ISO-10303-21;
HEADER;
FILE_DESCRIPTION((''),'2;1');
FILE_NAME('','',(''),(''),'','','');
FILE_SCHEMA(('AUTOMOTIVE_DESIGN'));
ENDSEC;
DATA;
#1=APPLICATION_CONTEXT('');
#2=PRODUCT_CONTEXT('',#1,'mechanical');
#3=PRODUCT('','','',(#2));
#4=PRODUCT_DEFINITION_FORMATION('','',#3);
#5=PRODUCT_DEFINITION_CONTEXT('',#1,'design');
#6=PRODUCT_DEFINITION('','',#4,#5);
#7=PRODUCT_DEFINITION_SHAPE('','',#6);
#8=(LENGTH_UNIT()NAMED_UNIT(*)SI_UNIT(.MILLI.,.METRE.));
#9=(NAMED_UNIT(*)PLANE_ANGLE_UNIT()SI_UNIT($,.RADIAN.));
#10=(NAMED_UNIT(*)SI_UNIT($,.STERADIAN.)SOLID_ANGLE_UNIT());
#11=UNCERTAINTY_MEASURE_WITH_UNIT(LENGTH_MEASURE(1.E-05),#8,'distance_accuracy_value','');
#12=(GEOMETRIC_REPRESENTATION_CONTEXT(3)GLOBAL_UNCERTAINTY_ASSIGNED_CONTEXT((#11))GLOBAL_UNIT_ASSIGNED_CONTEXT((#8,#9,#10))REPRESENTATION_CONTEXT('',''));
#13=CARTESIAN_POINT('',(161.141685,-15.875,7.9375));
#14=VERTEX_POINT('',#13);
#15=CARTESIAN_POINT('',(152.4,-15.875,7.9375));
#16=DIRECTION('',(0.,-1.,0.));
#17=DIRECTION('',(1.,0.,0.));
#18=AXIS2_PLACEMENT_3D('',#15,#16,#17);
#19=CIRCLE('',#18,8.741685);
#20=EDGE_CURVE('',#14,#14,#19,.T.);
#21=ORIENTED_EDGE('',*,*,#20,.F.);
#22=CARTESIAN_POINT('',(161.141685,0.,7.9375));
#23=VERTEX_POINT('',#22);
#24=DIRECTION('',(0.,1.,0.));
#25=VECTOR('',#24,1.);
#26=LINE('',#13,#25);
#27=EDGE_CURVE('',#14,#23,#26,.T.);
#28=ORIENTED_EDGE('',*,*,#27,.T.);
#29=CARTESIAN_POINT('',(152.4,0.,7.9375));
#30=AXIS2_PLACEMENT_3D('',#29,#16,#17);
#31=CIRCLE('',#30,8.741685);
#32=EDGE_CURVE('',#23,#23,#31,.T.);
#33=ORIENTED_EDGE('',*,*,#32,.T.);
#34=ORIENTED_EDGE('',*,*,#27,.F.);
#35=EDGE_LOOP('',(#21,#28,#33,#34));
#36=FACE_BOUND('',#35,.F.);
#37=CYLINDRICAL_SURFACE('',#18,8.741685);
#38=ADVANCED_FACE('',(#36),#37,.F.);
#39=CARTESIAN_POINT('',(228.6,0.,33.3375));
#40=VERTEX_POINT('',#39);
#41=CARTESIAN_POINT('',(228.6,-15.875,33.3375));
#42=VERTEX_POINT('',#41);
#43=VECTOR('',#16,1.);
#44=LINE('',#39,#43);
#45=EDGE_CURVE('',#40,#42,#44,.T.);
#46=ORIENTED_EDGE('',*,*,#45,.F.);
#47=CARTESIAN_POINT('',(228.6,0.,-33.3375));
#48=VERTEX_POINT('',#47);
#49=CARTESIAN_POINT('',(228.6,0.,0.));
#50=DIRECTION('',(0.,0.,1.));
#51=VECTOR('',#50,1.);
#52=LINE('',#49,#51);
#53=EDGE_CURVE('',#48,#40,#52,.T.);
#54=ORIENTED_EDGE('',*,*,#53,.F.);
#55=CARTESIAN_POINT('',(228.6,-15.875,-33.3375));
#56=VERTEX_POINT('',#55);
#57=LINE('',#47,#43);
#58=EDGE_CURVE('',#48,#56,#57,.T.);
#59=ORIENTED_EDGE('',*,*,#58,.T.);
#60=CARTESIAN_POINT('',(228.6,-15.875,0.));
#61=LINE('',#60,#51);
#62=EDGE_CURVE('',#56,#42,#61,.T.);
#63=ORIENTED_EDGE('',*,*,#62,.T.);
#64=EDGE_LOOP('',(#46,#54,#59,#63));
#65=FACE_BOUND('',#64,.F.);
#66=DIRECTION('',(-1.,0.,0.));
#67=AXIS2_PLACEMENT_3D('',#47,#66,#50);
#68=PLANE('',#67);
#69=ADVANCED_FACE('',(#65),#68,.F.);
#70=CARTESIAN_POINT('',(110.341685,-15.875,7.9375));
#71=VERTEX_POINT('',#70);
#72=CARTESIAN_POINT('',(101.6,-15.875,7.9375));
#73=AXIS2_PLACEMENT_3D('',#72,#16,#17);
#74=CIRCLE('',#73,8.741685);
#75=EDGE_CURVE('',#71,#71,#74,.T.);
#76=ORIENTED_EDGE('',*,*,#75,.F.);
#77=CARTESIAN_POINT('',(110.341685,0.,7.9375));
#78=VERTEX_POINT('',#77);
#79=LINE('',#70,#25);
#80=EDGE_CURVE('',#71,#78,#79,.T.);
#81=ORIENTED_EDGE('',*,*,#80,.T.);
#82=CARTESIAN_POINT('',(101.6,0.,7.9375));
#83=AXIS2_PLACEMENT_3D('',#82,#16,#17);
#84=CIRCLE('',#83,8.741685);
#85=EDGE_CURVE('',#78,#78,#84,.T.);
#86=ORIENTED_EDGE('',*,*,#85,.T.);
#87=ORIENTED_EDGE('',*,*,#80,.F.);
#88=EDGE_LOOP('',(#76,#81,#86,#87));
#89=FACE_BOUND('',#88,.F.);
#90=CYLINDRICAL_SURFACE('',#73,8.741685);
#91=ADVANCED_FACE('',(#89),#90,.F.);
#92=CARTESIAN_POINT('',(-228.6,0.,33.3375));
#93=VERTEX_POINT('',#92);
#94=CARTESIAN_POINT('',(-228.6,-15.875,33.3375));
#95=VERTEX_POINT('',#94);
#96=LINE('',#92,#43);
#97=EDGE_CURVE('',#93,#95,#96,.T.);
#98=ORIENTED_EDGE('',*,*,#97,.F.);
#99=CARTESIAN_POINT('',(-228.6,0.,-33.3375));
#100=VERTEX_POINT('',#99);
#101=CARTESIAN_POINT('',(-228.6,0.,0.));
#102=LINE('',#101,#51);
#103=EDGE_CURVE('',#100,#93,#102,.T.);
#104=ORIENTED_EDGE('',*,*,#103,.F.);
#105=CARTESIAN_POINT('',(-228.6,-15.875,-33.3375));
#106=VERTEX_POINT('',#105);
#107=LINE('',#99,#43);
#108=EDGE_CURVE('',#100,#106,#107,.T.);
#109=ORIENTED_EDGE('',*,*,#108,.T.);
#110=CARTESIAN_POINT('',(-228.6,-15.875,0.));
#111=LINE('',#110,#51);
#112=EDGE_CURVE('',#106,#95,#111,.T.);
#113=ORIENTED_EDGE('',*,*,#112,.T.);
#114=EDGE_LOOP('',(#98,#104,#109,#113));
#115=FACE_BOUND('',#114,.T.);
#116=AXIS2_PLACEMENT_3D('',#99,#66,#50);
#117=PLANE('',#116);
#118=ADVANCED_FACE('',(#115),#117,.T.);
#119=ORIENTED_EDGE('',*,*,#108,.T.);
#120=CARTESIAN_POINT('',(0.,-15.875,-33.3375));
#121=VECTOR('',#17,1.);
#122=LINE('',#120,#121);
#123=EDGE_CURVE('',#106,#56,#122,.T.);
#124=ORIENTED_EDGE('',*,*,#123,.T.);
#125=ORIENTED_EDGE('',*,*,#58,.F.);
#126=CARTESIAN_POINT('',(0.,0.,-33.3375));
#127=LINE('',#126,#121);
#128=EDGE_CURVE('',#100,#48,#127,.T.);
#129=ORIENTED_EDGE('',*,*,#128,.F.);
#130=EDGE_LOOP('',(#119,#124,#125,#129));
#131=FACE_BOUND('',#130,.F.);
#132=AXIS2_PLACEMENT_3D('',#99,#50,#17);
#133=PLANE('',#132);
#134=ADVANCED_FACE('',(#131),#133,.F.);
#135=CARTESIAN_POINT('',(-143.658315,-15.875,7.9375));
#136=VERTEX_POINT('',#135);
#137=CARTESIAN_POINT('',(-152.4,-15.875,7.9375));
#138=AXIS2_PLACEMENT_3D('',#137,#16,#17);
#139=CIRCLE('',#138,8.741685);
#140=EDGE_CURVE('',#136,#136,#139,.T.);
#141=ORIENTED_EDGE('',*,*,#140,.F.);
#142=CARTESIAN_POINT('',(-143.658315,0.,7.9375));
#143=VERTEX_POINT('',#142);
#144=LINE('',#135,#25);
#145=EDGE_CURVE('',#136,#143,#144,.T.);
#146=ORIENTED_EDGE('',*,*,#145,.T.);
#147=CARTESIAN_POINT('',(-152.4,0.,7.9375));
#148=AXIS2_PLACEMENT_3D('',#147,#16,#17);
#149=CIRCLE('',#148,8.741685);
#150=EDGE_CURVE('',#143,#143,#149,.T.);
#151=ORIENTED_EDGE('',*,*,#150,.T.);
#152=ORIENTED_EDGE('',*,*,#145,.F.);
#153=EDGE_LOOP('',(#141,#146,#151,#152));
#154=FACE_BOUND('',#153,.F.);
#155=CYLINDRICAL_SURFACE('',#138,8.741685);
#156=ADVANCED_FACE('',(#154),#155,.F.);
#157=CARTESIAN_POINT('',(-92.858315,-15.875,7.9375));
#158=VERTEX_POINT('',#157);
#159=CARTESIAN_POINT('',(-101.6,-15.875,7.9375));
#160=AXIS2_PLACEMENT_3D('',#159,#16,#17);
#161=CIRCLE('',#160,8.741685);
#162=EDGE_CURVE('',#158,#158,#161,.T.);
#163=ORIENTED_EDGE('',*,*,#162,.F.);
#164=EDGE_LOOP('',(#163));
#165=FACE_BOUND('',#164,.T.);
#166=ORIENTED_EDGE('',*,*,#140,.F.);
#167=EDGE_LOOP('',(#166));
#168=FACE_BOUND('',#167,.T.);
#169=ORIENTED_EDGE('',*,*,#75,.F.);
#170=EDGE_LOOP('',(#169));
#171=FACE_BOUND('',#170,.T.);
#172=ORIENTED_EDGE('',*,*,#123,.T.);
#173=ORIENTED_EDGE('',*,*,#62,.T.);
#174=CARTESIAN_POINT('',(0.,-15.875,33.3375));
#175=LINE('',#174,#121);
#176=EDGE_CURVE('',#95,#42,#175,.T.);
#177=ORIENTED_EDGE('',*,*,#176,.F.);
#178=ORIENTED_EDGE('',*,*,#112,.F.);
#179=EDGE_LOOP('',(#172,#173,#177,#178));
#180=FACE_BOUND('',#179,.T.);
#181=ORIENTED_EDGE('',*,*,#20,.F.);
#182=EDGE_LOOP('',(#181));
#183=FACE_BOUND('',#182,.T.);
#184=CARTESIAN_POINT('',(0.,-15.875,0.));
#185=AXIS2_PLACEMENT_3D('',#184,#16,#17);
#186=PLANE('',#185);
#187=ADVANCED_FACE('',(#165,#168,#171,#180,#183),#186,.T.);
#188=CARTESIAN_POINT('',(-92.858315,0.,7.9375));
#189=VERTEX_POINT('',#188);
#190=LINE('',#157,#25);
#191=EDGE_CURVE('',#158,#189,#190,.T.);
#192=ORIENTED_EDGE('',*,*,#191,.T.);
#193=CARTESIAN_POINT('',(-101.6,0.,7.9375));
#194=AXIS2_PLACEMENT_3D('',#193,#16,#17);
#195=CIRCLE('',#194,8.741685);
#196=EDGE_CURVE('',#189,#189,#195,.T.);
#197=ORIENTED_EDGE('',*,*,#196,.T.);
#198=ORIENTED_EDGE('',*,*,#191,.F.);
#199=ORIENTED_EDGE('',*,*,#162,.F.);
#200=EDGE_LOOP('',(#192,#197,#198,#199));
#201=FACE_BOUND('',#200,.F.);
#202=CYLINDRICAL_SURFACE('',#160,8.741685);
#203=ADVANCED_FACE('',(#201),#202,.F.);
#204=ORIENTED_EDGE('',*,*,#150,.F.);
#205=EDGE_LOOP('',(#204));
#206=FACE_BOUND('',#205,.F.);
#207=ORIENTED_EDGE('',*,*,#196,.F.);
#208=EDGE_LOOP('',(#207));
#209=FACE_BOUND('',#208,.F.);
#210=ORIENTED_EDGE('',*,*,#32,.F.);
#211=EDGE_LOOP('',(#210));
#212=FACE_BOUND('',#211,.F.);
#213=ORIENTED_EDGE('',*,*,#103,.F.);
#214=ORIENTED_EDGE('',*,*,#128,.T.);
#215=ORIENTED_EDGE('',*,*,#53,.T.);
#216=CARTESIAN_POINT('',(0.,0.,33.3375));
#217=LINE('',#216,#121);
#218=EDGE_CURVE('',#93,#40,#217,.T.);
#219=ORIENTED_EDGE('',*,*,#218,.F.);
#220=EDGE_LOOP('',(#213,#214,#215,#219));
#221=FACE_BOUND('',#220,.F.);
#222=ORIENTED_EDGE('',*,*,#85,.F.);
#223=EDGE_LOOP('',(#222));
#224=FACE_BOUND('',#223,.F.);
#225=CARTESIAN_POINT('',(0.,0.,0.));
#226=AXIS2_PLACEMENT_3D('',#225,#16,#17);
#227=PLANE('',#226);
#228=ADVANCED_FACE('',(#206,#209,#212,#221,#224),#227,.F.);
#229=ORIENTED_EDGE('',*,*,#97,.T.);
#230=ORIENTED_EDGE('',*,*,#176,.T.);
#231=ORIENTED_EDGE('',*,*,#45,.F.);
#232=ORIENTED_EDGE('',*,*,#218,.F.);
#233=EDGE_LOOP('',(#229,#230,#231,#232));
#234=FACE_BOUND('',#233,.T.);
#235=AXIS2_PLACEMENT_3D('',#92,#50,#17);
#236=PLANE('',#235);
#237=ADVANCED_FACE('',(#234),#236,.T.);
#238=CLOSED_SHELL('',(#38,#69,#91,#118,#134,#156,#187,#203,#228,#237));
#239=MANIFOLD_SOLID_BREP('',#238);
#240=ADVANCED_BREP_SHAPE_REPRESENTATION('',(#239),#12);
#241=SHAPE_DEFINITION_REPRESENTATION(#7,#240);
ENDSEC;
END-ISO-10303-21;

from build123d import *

# Parameters (mm, degrees)
F0_W     = 457.2
F0_H     = 66.675
F1_DEPTH = 15.875
F2_R     = 8.741685
F3_DEPTH = 15.876


with BuildPart() as f1:
    # F0 (on Front) → F1 (new body)
    with BuildSketch(Plane.XZ):
        Rectangle(F0_W, F0_H)
    extrude(amount=F1_DEPTH)

    # F2 (on face) → F3 (cut, through all)
    with BuildSketch(Plane.XZ.offset(15.875)):
        with Locations((-152.4, 7.9375)):
            Circle(F2_R)
        with Locations((-101.6, 7.9375)):
            Circle(F2_R)
        with Locations((101.6, 7.9375)):
            Circle(F2_R)
        with Locations((152.4, 7.9375)):
            Circle(F2_R)
    extrude(amount=-F3_DEPTH, mode=Mode.SUBTRACT)


solid = f1.part
